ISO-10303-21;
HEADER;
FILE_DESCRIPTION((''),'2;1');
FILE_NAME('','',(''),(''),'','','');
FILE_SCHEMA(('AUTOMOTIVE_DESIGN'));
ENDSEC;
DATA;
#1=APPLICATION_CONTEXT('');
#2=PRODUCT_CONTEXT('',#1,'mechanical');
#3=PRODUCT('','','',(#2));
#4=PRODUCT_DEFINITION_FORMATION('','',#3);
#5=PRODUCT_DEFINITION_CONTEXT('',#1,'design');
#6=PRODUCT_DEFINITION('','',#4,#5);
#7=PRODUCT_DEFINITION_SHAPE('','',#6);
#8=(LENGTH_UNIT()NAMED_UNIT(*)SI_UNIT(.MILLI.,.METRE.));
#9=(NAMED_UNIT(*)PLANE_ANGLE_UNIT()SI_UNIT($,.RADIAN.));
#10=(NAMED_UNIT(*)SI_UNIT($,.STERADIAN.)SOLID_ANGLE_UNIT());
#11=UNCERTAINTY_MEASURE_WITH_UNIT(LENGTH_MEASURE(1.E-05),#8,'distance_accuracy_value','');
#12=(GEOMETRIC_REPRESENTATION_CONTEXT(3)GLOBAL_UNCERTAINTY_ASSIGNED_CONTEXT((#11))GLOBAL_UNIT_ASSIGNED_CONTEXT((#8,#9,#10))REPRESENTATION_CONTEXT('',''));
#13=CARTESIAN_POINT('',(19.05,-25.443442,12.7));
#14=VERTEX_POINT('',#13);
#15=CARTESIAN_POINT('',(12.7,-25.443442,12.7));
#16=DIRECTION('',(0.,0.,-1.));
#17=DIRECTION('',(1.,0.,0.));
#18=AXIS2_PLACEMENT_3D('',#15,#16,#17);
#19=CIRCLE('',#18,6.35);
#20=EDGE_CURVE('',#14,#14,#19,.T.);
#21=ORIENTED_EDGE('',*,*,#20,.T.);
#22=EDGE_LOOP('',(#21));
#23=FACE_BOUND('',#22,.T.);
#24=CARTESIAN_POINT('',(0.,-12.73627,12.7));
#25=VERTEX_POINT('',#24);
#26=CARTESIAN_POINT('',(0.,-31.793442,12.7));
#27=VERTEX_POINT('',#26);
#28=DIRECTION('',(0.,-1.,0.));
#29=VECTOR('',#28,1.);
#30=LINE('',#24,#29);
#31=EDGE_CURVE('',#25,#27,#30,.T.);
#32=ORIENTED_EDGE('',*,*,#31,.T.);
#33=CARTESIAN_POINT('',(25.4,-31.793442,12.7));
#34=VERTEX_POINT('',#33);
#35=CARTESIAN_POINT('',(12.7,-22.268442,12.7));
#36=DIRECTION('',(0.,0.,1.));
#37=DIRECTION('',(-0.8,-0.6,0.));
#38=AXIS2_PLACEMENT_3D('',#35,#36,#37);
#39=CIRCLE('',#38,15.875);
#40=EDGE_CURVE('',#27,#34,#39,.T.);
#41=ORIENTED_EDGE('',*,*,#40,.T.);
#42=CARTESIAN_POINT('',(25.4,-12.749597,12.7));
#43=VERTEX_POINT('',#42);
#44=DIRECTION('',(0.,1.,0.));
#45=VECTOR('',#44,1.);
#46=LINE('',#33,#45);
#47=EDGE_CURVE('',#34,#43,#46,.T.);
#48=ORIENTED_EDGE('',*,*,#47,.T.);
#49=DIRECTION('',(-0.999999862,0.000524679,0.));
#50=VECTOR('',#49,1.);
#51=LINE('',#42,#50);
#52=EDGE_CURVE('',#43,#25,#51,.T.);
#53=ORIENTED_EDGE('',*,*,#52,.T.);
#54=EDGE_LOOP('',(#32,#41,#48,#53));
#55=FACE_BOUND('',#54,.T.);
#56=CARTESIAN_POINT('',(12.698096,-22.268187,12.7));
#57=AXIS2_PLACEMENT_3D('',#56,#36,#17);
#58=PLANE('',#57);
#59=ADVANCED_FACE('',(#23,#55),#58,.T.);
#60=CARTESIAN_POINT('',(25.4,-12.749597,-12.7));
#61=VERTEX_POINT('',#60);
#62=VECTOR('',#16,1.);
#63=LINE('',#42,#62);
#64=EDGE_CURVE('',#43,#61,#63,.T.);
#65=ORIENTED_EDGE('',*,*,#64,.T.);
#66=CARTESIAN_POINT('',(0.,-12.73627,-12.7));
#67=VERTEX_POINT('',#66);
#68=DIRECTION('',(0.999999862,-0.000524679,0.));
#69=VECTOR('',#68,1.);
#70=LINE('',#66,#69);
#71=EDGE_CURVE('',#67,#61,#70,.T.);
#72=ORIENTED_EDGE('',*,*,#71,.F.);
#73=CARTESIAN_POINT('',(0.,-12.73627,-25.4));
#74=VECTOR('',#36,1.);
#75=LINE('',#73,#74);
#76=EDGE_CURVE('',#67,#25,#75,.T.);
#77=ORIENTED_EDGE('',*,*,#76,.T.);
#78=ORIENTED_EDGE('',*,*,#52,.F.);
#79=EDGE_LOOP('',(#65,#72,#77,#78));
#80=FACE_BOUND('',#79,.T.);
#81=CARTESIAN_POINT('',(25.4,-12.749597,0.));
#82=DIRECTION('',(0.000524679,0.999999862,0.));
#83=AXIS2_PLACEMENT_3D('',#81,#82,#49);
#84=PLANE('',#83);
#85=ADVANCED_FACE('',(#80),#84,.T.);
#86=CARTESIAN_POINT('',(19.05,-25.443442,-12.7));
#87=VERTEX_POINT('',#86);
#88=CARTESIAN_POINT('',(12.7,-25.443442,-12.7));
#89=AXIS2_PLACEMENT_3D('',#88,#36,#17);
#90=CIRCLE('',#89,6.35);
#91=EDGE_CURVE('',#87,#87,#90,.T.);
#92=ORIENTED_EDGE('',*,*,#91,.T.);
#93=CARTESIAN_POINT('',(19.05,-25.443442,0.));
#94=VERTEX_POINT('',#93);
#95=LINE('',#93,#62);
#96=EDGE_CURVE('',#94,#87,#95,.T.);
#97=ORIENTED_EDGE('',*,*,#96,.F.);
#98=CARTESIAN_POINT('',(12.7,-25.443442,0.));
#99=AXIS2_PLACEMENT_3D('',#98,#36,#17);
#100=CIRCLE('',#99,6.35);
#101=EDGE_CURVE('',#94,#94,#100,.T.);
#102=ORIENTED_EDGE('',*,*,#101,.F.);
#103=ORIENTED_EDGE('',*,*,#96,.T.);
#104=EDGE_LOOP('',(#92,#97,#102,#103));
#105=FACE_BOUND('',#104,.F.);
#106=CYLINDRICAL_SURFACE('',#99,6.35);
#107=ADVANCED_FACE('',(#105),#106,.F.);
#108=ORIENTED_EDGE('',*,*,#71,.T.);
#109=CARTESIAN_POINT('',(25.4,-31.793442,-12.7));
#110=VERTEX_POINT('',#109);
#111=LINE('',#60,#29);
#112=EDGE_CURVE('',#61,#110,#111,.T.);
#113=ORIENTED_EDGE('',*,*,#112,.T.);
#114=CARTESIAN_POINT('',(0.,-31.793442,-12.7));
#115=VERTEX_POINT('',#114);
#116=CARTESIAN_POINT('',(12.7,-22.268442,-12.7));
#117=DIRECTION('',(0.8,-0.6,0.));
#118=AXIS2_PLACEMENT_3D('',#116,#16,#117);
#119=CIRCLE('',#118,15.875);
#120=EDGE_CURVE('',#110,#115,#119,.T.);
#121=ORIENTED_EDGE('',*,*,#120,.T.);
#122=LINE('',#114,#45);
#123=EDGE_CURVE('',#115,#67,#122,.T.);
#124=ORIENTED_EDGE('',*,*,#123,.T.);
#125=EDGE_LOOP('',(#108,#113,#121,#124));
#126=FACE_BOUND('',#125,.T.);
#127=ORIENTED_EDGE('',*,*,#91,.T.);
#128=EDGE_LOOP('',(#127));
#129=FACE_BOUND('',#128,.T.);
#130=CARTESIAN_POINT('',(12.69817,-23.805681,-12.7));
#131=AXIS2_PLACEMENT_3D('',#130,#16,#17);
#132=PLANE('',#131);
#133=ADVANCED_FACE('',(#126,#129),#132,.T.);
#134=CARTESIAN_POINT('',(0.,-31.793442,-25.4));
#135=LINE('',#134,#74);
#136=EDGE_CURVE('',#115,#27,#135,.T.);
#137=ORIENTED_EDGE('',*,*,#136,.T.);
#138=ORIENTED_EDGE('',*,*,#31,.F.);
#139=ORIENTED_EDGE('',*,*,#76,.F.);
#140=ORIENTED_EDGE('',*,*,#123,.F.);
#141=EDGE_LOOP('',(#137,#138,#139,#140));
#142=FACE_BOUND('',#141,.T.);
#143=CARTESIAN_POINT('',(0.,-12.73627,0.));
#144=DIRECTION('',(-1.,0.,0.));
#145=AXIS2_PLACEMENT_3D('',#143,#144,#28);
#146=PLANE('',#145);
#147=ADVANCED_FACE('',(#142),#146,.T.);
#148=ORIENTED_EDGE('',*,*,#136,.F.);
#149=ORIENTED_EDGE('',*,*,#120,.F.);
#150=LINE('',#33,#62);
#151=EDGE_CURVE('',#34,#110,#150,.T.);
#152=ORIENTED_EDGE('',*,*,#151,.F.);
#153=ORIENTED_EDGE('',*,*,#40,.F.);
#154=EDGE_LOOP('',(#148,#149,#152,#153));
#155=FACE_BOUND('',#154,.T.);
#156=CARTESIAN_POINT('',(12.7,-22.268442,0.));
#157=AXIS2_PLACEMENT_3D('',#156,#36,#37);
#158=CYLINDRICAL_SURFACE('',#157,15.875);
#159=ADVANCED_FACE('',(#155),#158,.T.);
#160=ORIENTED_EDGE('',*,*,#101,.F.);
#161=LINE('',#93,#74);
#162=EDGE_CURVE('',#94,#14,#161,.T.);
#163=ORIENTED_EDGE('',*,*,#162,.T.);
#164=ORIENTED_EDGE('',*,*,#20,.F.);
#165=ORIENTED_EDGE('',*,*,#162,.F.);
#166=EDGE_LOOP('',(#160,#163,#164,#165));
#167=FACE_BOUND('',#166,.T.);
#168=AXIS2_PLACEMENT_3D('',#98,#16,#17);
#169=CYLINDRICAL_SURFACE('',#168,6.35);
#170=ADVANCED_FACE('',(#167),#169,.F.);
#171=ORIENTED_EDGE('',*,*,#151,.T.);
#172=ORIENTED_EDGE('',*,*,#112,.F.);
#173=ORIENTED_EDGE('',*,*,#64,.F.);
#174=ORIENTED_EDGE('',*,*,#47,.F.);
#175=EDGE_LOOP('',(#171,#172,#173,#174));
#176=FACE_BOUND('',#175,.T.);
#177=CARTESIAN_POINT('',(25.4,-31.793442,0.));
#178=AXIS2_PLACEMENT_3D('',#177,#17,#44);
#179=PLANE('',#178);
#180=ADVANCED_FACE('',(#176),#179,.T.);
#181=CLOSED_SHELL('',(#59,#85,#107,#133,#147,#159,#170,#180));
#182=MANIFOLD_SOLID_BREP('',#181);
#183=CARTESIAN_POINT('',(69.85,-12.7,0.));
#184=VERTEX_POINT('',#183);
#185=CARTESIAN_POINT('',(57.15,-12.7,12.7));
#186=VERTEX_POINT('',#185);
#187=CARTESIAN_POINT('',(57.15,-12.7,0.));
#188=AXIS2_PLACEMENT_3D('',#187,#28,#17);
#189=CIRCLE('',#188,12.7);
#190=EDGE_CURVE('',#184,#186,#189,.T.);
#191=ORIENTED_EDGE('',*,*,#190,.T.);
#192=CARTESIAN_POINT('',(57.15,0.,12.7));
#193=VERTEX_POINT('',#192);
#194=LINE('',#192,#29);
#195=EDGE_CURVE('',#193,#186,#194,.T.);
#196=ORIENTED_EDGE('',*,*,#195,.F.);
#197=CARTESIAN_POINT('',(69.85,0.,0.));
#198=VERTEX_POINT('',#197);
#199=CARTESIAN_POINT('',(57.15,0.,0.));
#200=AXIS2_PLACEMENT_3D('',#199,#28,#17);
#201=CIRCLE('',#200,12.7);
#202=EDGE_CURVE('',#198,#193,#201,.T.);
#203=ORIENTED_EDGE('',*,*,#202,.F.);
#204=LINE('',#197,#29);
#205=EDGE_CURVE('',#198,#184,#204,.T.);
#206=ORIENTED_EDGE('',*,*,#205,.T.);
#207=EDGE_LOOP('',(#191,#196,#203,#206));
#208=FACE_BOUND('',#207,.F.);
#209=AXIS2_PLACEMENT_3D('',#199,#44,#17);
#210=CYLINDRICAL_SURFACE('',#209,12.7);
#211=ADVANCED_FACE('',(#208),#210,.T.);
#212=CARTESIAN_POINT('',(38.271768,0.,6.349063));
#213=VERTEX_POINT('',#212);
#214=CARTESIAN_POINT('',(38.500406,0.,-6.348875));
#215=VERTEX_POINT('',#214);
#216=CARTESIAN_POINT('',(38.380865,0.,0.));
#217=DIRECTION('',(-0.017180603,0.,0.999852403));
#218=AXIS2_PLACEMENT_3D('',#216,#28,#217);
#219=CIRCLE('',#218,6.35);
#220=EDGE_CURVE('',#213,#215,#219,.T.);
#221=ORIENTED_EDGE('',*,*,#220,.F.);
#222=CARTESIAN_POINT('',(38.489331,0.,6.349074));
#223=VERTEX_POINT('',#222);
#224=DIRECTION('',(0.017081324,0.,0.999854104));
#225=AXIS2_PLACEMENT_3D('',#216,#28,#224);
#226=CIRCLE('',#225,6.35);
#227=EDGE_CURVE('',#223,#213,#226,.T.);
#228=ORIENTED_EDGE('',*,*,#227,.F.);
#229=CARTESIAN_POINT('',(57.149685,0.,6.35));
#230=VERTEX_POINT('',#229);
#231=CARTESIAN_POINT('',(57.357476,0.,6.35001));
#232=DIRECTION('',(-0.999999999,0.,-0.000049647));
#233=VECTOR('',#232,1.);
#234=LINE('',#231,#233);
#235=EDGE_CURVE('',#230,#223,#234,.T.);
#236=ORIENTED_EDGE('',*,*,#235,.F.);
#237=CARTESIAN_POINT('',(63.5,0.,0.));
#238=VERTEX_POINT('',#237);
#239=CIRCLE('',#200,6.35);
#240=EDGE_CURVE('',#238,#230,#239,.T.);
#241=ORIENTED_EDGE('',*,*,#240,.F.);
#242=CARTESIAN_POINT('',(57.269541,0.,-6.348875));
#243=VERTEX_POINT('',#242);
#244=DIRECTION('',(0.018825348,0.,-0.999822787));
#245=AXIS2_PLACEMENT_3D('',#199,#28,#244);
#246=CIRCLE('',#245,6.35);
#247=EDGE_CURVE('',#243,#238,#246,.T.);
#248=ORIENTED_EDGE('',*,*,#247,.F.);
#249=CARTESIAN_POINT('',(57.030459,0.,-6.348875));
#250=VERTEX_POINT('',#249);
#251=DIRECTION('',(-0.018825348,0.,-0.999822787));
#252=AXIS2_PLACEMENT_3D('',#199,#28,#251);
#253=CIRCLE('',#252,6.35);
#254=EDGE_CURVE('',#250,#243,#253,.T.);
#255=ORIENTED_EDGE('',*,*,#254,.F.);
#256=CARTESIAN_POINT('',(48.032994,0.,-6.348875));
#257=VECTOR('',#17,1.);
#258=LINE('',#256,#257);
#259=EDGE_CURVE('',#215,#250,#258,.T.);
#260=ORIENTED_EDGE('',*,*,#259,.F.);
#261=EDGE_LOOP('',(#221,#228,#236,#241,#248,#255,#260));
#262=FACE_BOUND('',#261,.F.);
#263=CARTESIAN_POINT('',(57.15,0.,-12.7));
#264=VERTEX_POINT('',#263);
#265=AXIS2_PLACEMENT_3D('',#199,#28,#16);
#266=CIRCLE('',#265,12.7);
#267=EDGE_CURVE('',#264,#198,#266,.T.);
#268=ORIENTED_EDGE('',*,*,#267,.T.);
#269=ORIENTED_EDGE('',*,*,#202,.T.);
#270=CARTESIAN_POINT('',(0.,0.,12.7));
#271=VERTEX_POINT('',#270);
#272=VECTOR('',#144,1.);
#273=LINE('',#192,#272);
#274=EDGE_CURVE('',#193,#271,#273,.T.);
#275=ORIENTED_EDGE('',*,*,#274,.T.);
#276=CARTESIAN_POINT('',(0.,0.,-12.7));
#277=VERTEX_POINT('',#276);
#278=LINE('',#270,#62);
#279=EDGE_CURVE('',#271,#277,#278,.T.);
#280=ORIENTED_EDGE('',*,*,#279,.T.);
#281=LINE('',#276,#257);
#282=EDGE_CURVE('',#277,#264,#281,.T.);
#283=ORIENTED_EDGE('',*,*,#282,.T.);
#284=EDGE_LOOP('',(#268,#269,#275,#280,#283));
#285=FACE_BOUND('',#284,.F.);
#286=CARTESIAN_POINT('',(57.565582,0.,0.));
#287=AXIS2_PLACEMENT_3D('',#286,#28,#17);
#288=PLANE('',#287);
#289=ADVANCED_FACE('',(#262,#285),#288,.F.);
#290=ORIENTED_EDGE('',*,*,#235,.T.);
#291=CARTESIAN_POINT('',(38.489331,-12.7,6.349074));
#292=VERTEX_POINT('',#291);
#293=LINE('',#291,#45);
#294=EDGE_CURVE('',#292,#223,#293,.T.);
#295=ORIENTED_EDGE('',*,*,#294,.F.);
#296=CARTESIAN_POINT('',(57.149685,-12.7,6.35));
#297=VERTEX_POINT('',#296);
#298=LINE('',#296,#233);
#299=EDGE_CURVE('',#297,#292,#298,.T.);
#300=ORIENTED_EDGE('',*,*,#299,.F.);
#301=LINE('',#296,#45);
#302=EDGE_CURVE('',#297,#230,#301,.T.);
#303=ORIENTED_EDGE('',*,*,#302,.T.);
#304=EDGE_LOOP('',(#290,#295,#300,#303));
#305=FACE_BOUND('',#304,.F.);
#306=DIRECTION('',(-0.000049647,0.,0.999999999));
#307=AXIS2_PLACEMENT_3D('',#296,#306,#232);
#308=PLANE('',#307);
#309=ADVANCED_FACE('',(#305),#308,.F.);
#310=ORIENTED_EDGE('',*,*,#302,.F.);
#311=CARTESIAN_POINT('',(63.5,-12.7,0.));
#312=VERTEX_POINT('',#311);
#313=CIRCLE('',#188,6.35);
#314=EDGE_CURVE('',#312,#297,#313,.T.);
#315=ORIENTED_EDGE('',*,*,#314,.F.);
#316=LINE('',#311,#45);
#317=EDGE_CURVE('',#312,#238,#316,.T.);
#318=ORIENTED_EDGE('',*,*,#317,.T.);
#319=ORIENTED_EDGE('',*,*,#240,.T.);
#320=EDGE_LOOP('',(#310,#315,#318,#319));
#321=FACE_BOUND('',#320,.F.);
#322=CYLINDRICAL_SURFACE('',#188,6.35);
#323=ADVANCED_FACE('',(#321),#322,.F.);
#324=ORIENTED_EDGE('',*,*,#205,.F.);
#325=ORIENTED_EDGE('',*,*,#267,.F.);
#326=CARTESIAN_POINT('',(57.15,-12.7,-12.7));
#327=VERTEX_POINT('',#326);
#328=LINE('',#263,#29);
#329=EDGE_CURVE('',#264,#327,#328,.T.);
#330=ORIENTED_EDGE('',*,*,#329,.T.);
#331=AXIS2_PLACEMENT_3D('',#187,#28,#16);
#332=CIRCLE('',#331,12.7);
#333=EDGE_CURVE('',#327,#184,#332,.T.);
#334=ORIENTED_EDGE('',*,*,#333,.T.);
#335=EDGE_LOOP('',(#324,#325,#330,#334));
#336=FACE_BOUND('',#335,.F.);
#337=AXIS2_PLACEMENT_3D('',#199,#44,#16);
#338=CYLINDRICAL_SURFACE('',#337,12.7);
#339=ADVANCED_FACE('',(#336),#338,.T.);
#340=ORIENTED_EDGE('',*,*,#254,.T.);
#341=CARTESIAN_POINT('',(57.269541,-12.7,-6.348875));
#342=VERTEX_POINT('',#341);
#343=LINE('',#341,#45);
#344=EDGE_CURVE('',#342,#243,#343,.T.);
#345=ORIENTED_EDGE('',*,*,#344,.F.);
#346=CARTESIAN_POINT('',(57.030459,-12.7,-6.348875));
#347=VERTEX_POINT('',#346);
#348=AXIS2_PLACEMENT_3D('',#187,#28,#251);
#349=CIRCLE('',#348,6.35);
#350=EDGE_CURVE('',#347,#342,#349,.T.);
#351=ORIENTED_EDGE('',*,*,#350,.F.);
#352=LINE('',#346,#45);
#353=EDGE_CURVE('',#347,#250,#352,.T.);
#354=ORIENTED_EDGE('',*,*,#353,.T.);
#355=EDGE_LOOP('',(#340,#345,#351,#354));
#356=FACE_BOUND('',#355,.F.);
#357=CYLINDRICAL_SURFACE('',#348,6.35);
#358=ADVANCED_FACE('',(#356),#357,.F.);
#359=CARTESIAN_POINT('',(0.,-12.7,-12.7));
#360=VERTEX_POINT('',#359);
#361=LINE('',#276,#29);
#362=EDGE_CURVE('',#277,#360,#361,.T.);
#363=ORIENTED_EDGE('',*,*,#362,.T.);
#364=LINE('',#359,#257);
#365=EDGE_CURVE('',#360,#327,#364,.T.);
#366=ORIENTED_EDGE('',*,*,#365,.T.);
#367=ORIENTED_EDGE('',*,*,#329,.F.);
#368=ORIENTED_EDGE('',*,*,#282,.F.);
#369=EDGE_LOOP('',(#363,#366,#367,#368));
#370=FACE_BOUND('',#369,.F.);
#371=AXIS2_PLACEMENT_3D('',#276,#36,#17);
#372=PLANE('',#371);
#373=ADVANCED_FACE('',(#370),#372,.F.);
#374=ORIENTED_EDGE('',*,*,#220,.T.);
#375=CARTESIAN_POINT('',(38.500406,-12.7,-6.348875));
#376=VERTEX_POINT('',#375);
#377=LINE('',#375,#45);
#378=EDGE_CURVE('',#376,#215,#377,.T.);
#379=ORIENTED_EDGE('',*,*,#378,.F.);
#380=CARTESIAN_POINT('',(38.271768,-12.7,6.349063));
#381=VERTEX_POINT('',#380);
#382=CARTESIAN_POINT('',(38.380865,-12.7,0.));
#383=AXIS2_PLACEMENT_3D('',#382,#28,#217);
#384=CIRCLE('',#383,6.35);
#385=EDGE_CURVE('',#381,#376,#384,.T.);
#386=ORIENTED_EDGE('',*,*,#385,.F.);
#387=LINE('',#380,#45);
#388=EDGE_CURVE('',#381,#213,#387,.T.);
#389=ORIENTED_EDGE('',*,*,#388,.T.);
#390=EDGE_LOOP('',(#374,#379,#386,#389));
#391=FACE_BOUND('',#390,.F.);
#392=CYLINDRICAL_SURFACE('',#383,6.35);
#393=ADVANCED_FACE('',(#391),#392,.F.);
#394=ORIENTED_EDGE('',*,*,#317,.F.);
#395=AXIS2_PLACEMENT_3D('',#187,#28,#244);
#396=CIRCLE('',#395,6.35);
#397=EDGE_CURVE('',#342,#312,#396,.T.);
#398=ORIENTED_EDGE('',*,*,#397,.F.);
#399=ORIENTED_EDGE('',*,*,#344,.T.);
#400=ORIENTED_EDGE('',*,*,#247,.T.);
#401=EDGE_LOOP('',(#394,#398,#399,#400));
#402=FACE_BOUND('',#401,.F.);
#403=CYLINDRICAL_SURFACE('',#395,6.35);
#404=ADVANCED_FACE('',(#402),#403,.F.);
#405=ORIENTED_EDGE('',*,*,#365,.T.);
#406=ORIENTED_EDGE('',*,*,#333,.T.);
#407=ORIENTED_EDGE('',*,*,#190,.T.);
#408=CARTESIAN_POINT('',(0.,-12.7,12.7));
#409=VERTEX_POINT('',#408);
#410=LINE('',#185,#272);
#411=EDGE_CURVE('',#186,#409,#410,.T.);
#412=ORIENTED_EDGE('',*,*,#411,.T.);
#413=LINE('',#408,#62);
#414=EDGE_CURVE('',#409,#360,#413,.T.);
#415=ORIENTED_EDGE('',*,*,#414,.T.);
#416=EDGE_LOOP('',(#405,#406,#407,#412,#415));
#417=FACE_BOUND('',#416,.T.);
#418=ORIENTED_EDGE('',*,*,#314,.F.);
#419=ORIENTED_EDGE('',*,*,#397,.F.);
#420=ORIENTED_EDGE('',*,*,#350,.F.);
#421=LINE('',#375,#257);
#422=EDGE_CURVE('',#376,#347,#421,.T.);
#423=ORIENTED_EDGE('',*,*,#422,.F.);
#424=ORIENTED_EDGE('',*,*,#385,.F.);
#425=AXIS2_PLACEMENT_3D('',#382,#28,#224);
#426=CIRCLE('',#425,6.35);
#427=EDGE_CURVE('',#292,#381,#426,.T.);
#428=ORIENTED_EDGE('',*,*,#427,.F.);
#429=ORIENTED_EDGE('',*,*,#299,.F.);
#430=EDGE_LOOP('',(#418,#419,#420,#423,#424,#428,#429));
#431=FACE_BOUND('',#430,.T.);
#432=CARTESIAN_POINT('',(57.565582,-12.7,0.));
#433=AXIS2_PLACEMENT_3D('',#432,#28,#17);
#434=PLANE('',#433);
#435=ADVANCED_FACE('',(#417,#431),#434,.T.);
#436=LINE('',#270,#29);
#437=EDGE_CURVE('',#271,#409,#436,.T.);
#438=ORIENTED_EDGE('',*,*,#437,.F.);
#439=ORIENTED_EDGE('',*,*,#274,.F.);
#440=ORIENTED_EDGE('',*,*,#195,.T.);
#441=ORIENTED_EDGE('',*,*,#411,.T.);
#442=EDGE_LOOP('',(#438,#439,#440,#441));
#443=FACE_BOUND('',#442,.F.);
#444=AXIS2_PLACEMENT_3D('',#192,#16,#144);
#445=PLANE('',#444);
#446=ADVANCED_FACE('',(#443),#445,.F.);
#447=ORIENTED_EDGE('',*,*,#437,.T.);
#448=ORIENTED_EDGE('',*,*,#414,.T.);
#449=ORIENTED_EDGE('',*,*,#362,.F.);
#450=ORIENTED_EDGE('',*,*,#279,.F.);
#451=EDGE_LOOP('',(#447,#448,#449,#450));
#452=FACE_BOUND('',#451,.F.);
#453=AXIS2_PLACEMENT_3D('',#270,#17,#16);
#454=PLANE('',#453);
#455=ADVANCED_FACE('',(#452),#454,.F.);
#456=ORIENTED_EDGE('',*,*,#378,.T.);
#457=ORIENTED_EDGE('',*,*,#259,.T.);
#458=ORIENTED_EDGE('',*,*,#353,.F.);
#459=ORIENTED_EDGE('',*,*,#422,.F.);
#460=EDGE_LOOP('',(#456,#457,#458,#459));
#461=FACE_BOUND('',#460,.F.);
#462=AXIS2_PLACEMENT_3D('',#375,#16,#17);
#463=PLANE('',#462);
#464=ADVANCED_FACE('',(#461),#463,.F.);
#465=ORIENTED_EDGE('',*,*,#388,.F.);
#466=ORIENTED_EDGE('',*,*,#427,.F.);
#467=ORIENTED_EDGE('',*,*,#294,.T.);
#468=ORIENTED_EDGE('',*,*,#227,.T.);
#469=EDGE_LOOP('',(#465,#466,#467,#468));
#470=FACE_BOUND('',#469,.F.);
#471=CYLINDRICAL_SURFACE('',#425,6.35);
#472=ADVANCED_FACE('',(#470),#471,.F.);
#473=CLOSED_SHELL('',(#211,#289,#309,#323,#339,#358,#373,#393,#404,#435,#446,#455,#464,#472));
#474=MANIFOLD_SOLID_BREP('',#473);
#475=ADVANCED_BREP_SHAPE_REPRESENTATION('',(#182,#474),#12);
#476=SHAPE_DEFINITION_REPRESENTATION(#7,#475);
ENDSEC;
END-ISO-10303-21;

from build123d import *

# Parameters (mm, degrees)
F1_DEPTH  = 12.7
F3_DEPTH  = 12.7
F4_DEPTH  = 12.7
F5_DEPTH  = 25.4
F6_DEPTH  = 12.7
F8_DEPTH  = 12.7
F10_DEPTH = 12.701
F11_R     = 6.35
F12_DEPTH = 12.701
F13_R     = 6.35
F14_DEPTH = 12.701
F15_DEPTH = 12.701


with BuildPart() as f1:
    # F0 (on Front) → F1 (new body)
    with BuildSketch(Plane.XZ):
        with BuildLine():
            ThreePointArc((57.15, -12.7), (66.1302561211, -8.9802561211), (69.85, 0))
            ThreePointArc((69.85, 0), (66.1302561211, 8.9802561211), (57.15, 12.7))
            ThreePointArc((57.15, 12.7), (44.45, 0), (57.15, -12.7))
        make_face()
        with BuildLine():
            ThreePointArc((57.15, -12.7), (44.45, 0), (57.15, 12.7))
            Line((57.15, 12.7), (0, 12.7))
            Line((0, 12.7), (0, -12.7))
            Line((0, -12.7), (57.15, -12.7))
        make_face()
    extrude(amount=F1_DEPTH)

    # F9 (on face) → F10 (cut, through all)
    with BuildSketch(Plane.XZ.offset(12.7)):
        with BuildLine():
            ThreePointArc((57.2695409589, -6.3488747002), (61.6821951133, -4.4476631455), (63.5, 0))
            ThreePointArc((63.5, 0), (61.640016598, 4.4902395203), (57.1496847402, 6.3499999922))
            ThreePointArc((57.1496847402, 6.3499999922), (50.8002798493, 0.0596155047), (57.0304590411, -6.3488747002))
            Line((57.0304590411, -6.3488747002), (57.2695409589, -6.3488747002))
        make_face()
        with BuildLine():
            ThreePointArc((57.0304590411, -6.3488747002), (50.8002798493, 0.0596155047), (57.1496847402, 6.3499999922))
            Line((57.1496847402, 6.3499999922), (38.4893314074, 6.3490735576))
            ThreePointArc((38.4893314074, 6.3490735576), (42.909179354, 4.4516142219), (44.7308650076, 0))
            ThreePointArc((44.7308650076, 0), (42.9130601209, -4.4476631455), (38.5004059666, -6.3488747002))
            Line((38.5004059666, -6.3488747002), (57.0304590411, -6.3488747002))
        make_face()
        with BuildLine():
            ThreePointArc((57.0304590411, -6.3488747002), (57.15, -6.35), (57.2695409589, -6.3488747002))
            Line((57.2695409589, -6.3488747002), (57.0304590411, -6.3488747002))
        make_face()
        with BuildLine():
            Line((38.2717681808, 6.3490627562), (38.4893314074, 6.3490735576))
            ThreePointArc((38.4893314074, 6.3490735576), (38.3805497478, 6.3499999922), (38.2717681808, 6.3490627562))
        make_face()
        with BuildLine():
            ThreePointArc((44.7308650076, 0), (42.909179354, 4.4516142219), (38.4893314074, 6.3490735576))
            Line((38.4893314074, 6.3490735576), (38.2717681808, 6.3490627562))
            ThreePointArc((38.2717681808, 6.3490627562), (32.0318941318, -0.1143189316), (38.5004059666, -6.3488747002))
            ThreePointArc((38.5004059666, -6.3488747002), (42.9130601209, -4.4476631455), (44.7308650076, 0))
        make_face()
    extrude(amount=-F10_DEPTH, mode=Mode.SUBTRACT)

    # F13 (on Top) → F14 (cut, through all)
    with BuildSketch(Plane.XY):
        with Locations((12.7, -25.4434416966)):
            Circle(F13_R)
    extrude(amount=-F14_DEPTH, mode=Mode.SUBTRACT)


with BuildPart() as f3:
    # F2 (on Top) → F3 (new body)
    with BuildSketch(Plane.XY):
        Polygon((25.4, -12.7495970972), (0, -12.7362702521), (0, -31.7934416966), (25.4, -31.7934416966), align=None)
        with BuildLine():
            Line((25.4, -31.7934416966), (0, -31.7934416966))
            ThreePointArc((0, -31.7934416966), (12.7, -38.1434416966), (25.4, -31.7934416966))
        make_face()
    extrude(amount=F3_DEPTH)

    # F4 (add): a face of the model
    f4_faces = [f3.faces().sort_by_distance(p)[0] for p in [
        (12.6987990519, -24.5571554059, 0),
    ]]
    extrude(f4_faces, amount=F4_DEPTH)

    # F2 (on Top) → F5 (join)
    with BuildSketch(Plane.XY):
        Polygon((25.4, -12.7495970972), (0, -12.7362702521), (0, -31.7934416966), (25.4, -31.7934416966), align=None)
        with BuildLine():
            Line((25.4, -31.7934416966), (0, -31.7934416966))
            ThreePointArc((0, -31.7934416966), (12.7, -38.1434416966), (25.4, -31.7934416966))
        make_face()
    extrude(amount=-F5_DEPTH)

    # F2 (on Top) → F6 (join)
    with BuildSketch(Plane.XY):
        Polygon((25.4, -12.7495970972), (0, -12.7362702521), (0, -31.7934416966), (25.4, -31.7934416966), align=None)
        with BuildLine():
            Line((25.4, -31.7934416966), (0, -31.7934416966))
            ThreePointArc((0, -31.7934416966), (12.7, -38.1434416966), (25.4, -31.7934416966))
        make_face()
    extrude(amount=-F6_DEPTH)

    # F7 (on face) → F8 (cut)
    with BuildSketch(Plane(origin=(0, 0, -25.4), x_dir=(1, 0, 0), z_dir=(0, 0, -1))):
        with BuildLine():
            Line((0, 12.7362702521), (25.4, 12.7495970972))
            Line((25.4, 12.7495970972), (25.4, 31.7934416966))
            ThreePointArc((25.4, 31.7934416966), (12.7, 38.1434416966), (0, 31.7934416966))
            Line((0, 31.7934416966), (0, 12.7362702521))
        make_face()
    extrude(amount=-F8_DEPTH, mode=Mode.SUBTRACT)

    # F11 (on Top) → F12 (cut, through all)
    with BuildSketch(Plane.XY):
        with Locations((12.7, -25.4434416966)):
            Circle(F11_R)
    extrude(amount=-F12_DEPTH, mode=Mode.SUBTRACT)

    # F13 (on Top) → F15 (cut, through all)
    with BuildSketch(Plane.XY):
        with Locations((12.7, -25.4434416966)):
            Circle(F13_R)
    extrude(amount=F15_DEPTH, mode=Mode.SUBTRACT)


solid = Compound([f1.part, f3.part])
